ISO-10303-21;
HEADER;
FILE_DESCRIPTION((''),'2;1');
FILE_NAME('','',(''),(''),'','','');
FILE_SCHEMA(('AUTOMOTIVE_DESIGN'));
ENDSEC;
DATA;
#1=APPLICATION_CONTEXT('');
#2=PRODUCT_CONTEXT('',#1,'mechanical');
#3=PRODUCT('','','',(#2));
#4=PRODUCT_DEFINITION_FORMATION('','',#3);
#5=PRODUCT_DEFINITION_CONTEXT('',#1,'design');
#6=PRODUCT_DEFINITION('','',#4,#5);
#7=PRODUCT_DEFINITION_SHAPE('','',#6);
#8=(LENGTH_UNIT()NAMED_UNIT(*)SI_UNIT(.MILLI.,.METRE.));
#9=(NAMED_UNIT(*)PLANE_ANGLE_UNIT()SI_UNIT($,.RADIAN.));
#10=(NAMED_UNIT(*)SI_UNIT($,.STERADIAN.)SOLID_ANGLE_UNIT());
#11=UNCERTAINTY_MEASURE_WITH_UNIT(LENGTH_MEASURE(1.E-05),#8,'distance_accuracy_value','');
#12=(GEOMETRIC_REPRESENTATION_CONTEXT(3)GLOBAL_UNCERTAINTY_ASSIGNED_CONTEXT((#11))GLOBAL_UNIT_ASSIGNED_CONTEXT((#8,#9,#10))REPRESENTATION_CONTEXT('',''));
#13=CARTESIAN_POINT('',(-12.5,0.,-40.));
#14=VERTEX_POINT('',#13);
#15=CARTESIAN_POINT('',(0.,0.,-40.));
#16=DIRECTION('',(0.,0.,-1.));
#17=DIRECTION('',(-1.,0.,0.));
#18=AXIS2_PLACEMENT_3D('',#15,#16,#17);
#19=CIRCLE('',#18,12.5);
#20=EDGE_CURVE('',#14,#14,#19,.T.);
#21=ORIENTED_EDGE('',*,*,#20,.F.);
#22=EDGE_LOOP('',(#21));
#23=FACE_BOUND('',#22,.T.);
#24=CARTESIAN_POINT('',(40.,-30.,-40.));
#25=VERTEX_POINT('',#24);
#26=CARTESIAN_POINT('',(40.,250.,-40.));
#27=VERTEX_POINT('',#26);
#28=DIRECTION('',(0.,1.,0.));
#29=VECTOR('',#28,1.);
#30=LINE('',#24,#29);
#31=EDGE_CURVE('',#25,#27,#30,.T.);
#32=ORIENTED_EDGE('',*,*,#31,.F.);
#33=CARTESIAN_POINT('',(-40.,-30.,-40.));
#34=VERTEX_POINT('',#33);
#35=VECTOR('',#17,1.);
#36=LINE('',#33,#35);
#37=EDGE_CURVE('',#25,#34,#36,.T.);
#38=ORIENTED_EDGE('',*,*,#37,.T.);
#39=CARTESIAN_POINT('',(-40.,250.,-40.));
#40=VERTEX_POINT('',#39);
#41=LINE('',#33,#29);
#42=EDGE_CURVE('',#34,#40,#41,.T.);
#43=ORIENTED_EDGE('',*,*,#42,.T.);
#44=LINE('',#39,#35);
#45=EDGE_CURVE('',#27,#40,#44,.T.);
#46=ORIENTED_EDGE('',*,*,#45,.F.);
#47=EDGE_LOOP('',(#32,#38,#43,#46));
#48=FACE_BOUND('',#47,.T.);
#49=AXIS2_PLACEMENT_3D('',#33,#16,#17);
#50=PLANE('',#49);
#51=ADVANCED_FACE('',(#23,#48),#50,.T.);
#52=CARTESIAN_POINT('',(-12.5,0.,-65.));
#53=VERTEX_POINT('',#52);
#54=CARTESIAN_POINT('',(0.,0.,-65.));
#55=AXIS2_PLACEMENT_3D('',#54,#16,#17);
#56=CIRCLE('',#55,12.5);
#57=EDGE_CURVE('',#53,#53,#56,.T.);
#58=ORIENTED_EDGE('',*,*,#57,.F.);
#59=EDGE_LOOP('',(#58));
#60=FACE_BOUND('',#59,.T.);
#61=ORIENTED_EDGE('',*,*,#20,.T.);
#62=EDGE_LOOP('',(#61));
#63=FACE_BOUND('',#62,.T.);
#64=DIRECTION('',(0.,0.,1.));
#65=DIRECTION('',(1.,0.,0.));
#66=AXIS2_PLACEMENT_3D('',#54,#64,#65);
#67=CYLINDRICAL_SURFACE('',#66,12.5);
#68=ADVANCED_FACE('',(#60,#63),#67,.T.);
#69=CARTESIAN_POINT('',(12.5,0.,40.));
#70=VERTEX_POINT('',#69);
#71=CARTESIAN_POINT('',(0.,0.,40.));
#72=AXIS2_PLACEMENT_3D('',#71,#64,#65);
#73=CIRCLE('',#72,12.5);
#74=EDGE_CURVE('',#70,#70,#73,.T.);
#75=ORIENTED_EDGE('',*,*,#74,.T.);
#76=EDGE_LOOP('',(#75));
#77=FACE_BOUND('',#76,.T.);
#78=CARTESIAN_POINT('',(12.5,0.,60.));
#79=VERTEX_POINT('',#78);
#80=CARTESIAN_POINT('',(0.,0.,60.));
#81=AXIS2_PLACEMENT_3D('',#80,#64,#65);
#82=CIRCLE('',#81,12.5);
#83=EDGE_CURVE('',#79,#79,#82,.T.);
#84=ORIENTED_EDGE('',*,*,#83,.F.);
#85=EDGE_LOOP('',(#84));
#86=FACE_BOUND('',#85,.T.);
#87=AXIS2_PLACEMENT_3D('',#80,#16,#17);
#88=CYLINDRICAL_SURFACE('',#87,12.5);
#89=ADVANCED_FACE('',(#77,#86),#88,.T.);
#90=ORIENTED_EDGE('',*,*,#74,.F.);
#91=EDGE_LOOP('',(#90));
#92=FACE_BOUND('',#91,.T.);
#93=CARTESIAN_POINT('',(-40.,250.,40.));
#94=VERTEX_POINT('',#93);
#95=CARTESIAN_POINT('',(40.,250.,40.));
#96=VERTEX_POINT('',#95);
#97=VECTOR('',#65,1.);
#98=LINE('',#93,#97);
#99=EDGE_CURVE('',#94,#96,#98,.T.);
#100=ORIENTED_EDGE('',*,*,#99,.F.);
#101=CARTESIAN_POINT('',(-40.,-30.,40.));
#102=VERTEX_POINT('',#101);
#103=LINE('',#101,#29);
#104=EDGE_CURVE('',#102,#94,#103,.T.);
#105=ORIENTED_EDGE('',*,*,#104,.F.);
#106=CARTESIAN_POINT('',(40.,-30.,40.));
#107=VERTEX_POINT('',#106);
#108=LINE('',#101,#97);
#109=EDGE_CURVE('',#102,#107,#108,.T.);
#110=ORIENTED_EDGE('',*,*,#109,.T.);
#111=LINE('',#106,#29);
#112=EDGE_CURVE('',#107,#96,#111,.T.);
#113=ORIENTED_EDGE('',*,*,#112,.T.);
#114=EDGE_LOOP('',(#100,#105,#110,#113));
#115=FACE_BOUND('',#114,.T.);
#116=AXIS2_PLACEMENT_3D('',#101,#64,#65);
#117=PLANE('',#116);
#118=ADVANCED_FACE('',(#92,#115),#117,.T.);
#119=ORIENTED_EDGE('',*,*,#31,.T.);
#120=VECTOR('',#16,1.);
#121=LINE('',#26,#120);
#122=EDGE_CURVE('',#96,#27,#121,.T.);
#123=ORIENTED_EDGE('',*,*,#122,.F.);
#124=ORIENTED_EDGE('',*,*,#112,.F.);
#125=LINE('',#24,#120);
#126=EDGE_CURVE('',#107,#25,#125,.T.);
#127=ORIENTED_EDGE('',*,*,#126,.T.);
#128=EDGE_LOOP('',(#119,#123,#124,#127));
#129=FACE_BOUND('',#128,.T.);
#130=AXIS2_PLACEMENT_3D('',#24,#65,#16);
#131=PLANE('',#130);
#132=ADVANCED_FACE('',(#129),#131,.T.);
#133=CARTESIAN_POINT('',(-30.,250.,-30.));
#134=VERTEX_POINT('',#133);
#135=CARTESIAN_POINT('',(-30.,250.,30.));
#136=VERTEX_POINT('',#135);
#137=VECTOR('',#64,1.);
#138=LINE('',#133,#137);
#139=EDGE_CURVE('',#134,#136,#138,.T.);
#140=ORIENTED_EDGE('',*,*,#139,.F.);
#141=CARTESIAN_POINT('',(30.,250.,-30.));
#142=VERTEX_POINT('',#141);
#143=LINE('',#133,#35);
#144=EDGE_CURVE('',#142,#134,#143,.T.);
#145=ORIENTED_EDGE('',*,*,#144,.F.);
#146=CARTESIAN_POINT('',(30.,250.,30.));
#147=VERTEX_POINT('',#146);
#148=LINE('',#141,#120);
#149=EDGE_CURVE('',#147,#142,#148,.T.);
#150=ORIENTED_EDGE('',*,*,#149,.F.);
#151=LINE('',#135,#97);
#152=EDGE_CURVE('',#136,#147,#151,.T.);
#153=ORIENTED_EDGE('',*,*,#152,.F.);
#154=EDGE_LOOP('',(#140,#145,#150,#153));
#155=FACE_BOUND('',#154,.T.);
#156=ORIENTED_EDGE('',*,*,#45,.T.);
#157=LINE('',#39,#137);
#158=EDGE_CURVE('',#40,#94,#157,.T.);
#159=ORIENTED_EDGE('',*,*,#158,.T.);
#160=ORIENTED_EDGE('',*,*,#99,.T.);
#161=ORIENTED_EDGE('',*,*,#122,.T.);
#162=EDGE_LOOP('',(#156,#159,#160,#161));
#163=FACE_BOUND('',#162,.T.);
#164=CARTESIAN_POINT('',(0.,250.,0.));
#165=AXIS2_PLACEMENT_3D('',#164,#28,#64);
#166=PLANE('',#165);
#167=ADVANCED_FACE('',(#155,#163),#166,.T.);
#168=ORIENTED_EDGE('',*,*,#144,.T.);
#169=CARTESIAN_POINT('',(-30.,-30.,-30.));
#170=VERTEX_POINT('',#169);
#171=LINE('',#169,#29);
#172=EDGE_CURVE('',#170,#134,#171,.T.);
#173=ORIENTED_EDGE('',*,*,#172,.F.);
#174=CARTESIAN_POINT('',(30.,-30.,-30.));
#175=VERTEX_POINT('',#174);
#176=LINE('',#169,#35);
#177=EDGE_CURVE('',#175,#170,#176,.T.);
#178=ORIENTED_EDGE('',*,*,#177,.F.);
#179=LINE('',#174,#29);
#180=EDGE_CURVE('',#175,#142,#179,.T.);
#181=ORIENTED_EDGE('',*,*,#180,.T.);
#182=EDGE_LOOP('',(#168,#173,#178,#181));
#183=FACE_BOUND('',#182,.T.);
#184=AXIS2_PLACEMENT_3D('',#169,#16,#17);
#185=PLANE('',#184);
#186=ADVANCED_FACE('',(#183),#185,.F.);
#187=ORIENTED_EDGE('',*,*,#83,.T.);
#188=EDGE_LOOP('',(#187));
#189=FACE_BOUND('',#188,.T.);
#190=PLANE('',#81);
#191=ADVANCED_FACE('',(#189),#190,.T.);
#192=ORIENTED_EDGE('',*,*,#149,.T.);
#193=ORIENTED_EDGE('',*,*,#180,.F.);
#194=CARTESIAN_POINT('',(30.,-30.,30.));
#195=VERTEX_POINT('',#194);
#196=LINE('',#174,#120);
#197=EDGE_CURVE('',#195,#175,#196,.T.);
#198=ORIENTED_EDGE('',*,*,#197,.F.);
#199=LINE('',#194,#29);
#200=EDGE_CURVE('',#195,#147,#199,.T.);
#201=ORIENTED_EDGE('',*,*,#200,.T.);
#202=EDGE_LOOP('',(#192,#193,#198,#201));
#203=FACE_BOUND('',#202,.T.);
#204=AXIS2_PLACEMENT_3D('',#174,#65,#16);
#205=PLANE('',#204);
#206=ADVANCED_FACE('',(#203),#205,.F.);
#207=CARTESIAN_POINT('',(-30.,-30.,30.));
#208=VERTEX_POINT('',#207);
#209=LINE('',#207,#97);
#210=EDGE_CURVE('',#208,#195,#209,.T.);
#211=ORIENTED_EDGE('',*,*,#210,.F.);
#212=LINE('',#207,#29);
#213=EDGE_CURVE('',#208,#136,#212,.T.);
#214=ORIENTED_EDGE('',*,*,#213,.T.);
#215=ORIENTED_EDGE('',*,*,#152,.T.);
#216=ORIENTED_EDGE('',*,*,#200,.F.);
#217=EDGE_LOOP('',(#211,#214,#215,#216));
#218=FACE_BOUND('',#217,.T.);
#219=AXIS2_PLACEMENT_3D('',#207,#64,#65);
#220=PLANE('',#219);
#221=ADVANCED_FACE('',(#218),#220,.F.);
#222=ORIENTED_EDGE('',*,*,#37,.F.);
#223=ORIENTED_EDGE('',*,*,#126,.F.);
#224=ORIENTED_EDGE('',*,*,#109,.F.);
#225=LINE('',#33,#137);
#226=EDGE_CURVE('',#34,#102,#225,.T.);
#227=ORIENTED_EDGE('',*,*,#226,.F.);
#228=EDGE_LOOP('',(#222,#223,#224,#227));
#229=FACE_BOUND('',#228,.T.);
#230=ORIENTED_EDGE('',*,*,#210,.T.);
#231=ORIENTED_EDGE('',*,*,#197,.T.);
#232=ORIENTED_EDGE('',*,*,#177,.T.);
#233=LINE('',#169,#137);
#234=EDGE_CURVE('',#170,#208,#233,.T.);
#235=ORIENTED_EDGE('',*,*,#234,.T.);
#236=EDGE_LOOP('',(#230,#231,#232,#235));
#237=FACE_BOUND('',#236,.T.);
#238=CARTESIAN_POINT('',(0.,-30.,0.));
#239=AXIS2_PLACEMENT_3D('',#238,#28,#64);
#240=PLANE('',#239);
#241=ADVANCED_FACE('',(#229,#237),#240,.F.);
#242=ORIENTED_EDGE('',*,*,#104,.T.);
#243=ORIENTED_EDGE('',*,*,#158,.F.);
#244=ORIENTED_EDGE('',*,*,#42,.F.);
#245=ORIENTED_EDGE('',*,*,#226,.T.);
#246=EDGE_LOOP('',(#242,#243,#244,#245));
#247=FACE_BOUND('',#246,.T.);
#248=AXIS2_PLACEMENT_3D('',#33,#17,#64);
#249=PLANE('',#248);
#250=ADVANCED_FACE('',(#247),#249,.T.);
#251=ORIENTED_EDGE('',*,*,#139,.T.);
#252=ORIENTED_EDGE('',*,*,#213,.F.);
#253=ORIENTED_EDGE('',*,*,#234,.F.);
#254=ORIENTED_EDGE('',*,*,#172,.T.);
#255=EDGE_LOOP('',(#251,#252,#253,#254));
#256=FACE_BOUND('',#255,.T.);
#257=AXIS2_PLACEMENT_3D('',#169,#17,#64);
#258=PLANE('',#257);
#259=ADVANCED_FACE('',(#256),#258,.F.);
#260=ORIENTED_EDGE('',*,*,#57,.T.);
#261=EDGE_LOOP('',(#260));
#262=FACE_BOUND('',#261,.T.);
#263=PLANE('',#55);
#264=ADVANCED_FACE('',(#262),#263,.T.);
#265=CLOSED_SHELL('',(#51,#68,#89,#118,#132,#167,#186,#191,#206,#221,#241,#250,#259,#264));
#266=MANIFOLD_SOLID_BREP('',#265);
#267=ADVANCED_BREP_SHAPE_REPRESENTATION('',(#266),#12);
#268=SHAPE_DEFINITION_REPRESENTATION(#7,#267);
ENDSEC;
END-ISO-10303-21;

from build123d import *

# Parameters (mm, degrees)
BOSS_EXTRUDE1_DEPTH      = 250
BOSS_EXTRUDE1_DEPTH_BACK = 30
SKETCH1_W                = 80
SKETCH1_H                = 80
SKETCH1_W_2              = 60
SKETCH1_H_2              = 60
SKETCH2_R                = 12.5
BOSS_EXTRUDE2_DEPTH      = 20
BOSS_EXTRUDE3_START      = 25
SKETCH3_R                = 12.5
BOSS_EXTRUDE3_DEPTH      = 25


with BuildPart() as part:
    # Sketch1 → Boss-Extrude1 (new, two sides: drawn at the far end of the back side and taken through both)
    with BuildSketch(Plane(origin=(0, 0, 0), x_dir=(1, 0, 0), z_dir=(0, 1, 0)).offset(-BOSS_EXTRUDE1_DEPTH_BACK)):
        Rectangle(SKETCH1_W, SKETCH1_H)
        Rectangle(SKETCH1_W_2, SKETCH1_H_2, mode=Mode.SUBTRACT)
    extrude(amount=BOSS_EXTRUDE1_DEPTH + BOSS_EXTRUDE1_DEPTH_BACK)

    # Sketch2 → Boss-Extrude2 (add)
    with BuildSketch(Plane.XY.offset(40)):
        Circle(SKETCH2_R)
    extrude(amount=BOSS_EXTRUDE2_DEPTH)

    # Sketch3 → Boss-Extrude3 (add)
    with BuildSketch(Plane(origin=(0, 0, -40), x_dir=(-1, 0, 0), z_dir=(0, 0, -1)).offset(BOSS_EXTRUDE3_START)):
        with Locations(Location((0, 0, 0), (0, 0, 180))):
            Circle(SKETCH3_R)
    extrude(amount=-BOSS_EXTRUDE3_DEPTH)


solid = part.part
